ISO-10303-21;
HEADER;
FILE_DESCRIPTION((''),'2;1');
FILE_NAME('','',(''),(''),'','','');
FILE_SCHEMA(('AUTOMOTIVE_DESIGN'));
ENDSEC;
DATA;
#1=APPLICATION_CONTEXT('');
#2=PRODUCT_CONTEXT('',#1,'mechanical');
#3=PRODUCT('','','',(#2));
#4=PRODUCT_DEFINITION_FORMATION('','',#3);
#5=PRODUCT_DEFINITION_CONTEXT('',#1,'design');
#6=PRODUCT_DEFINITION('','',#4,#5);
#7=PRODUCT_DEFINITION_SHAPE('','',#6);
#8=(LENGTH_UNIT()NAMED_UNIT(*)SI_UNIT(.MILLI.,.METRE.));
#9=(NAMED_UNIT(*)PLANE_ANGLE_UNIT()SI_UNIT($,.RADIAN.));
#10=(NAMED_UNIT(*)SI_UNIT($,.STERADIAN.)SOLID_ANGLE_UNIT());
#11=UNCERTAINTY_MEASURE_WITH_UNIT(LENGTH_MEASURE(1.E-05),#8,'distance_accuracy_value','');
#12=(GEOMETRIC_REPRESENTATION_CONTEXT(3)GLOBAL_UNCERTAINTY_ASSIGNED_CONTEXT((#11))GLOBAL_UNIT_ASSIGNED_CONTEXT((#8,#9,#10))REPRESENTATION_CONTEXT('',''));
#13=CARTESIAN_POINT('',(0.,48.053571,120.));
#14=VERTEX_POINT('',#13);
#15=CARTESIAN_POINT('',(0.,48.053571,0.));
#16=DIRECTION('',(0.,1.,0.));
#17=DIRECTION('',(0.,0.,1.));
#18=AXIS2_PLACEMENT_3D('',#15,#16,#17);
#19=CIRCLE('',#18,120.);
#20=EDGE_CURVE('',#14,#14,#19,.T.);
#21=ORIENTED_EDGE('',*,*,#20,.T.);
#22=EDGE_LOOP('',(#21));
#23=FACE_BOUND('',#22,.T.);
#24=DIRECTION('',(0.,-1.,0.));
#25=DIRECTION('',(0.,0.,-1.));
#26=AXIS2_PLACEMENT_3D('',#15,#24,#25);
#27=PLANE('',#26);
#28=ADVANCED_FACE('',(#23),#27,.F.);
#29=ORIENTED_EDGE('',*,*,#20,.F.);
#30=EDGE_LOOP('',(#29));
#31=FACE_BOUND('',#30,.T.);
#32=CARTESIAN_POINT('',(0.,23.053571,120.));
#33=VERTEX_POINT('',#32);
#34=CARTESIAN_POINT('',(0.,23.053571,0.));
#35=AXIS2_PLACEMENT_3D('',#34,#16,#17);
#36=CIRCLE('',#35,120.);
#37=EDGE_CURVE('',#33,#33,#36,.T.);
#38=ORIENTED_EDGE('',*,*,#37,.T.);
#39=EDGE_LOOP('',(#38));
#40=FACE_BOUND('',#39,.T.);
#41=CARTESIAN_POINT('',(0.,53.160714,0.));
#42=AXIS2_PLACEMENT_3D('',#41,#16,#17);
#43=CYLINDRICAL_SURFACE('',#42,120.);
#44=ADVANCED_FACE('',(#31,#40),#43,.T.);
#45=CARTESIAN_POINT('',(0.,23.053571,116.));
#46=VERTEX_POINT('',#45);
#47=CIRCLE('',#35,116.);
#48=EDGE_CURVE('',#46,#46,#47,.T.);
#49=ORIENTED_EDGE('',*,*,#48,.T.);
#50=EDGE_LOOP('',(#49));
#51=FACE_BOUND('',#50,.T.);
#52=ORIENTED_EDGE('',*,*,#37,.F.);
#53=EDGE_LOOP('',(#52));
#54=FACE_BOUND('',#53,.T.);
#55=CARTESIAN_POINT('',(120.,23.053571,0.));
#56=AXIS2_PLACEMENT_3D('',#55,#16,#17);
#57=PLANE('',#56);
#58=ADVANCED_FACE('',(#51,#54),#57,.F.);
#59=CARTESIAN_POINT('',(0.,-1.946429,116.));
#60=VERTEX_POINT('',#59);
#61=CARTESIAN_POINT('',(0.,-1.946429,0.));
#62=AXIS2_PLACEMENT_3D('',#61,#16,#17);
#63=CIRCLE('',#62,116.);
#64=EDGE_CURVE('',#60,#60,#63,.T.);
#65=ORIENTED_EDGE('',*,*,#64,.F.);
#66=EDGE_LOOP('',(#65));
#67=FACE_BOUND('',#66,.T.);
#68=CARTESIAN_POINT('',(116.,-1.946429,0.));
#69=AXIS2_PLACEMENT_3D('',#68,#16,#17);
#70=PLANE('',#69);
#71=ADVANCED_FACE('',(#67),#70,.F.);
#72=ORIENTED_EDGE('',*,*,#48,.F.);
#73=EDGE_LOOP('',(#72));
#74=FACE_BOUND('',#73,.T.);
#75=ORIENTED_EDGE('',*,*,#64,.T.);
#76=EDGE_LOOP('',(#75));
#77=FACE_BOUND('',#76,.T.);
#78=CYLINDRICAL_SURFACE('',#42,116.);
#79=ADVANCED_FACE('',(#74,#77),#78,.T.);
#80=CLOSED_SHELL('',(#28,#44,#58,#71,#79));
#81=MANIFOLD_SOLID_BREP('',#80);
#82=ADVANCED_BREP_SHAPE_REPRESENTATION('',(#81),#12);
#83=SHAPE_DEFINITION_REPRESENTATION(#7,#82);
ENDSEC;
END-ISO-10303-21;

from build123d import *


with BuildPart() as part:
    # Sketch1 → Revolve1 (revolve)
    with BuildSketch(Plane.XY, mode=Mode.PRIVATE) as revolve1_sk:
        Polygon((0, 48.053571429), (120, 48.053571429), (120, 23.053571429), (116, 23.053571429), (116, -1.946428571), (0, -1.946428571), align=None)
    revolve(revolve1_sk.sketch.rotate(Axis((0, 53.160714286, 0), (0, -1, 0)), 90), axis=Axis((0, 53.160714286, 0), (0, -1, 0)))


solid = part.part
